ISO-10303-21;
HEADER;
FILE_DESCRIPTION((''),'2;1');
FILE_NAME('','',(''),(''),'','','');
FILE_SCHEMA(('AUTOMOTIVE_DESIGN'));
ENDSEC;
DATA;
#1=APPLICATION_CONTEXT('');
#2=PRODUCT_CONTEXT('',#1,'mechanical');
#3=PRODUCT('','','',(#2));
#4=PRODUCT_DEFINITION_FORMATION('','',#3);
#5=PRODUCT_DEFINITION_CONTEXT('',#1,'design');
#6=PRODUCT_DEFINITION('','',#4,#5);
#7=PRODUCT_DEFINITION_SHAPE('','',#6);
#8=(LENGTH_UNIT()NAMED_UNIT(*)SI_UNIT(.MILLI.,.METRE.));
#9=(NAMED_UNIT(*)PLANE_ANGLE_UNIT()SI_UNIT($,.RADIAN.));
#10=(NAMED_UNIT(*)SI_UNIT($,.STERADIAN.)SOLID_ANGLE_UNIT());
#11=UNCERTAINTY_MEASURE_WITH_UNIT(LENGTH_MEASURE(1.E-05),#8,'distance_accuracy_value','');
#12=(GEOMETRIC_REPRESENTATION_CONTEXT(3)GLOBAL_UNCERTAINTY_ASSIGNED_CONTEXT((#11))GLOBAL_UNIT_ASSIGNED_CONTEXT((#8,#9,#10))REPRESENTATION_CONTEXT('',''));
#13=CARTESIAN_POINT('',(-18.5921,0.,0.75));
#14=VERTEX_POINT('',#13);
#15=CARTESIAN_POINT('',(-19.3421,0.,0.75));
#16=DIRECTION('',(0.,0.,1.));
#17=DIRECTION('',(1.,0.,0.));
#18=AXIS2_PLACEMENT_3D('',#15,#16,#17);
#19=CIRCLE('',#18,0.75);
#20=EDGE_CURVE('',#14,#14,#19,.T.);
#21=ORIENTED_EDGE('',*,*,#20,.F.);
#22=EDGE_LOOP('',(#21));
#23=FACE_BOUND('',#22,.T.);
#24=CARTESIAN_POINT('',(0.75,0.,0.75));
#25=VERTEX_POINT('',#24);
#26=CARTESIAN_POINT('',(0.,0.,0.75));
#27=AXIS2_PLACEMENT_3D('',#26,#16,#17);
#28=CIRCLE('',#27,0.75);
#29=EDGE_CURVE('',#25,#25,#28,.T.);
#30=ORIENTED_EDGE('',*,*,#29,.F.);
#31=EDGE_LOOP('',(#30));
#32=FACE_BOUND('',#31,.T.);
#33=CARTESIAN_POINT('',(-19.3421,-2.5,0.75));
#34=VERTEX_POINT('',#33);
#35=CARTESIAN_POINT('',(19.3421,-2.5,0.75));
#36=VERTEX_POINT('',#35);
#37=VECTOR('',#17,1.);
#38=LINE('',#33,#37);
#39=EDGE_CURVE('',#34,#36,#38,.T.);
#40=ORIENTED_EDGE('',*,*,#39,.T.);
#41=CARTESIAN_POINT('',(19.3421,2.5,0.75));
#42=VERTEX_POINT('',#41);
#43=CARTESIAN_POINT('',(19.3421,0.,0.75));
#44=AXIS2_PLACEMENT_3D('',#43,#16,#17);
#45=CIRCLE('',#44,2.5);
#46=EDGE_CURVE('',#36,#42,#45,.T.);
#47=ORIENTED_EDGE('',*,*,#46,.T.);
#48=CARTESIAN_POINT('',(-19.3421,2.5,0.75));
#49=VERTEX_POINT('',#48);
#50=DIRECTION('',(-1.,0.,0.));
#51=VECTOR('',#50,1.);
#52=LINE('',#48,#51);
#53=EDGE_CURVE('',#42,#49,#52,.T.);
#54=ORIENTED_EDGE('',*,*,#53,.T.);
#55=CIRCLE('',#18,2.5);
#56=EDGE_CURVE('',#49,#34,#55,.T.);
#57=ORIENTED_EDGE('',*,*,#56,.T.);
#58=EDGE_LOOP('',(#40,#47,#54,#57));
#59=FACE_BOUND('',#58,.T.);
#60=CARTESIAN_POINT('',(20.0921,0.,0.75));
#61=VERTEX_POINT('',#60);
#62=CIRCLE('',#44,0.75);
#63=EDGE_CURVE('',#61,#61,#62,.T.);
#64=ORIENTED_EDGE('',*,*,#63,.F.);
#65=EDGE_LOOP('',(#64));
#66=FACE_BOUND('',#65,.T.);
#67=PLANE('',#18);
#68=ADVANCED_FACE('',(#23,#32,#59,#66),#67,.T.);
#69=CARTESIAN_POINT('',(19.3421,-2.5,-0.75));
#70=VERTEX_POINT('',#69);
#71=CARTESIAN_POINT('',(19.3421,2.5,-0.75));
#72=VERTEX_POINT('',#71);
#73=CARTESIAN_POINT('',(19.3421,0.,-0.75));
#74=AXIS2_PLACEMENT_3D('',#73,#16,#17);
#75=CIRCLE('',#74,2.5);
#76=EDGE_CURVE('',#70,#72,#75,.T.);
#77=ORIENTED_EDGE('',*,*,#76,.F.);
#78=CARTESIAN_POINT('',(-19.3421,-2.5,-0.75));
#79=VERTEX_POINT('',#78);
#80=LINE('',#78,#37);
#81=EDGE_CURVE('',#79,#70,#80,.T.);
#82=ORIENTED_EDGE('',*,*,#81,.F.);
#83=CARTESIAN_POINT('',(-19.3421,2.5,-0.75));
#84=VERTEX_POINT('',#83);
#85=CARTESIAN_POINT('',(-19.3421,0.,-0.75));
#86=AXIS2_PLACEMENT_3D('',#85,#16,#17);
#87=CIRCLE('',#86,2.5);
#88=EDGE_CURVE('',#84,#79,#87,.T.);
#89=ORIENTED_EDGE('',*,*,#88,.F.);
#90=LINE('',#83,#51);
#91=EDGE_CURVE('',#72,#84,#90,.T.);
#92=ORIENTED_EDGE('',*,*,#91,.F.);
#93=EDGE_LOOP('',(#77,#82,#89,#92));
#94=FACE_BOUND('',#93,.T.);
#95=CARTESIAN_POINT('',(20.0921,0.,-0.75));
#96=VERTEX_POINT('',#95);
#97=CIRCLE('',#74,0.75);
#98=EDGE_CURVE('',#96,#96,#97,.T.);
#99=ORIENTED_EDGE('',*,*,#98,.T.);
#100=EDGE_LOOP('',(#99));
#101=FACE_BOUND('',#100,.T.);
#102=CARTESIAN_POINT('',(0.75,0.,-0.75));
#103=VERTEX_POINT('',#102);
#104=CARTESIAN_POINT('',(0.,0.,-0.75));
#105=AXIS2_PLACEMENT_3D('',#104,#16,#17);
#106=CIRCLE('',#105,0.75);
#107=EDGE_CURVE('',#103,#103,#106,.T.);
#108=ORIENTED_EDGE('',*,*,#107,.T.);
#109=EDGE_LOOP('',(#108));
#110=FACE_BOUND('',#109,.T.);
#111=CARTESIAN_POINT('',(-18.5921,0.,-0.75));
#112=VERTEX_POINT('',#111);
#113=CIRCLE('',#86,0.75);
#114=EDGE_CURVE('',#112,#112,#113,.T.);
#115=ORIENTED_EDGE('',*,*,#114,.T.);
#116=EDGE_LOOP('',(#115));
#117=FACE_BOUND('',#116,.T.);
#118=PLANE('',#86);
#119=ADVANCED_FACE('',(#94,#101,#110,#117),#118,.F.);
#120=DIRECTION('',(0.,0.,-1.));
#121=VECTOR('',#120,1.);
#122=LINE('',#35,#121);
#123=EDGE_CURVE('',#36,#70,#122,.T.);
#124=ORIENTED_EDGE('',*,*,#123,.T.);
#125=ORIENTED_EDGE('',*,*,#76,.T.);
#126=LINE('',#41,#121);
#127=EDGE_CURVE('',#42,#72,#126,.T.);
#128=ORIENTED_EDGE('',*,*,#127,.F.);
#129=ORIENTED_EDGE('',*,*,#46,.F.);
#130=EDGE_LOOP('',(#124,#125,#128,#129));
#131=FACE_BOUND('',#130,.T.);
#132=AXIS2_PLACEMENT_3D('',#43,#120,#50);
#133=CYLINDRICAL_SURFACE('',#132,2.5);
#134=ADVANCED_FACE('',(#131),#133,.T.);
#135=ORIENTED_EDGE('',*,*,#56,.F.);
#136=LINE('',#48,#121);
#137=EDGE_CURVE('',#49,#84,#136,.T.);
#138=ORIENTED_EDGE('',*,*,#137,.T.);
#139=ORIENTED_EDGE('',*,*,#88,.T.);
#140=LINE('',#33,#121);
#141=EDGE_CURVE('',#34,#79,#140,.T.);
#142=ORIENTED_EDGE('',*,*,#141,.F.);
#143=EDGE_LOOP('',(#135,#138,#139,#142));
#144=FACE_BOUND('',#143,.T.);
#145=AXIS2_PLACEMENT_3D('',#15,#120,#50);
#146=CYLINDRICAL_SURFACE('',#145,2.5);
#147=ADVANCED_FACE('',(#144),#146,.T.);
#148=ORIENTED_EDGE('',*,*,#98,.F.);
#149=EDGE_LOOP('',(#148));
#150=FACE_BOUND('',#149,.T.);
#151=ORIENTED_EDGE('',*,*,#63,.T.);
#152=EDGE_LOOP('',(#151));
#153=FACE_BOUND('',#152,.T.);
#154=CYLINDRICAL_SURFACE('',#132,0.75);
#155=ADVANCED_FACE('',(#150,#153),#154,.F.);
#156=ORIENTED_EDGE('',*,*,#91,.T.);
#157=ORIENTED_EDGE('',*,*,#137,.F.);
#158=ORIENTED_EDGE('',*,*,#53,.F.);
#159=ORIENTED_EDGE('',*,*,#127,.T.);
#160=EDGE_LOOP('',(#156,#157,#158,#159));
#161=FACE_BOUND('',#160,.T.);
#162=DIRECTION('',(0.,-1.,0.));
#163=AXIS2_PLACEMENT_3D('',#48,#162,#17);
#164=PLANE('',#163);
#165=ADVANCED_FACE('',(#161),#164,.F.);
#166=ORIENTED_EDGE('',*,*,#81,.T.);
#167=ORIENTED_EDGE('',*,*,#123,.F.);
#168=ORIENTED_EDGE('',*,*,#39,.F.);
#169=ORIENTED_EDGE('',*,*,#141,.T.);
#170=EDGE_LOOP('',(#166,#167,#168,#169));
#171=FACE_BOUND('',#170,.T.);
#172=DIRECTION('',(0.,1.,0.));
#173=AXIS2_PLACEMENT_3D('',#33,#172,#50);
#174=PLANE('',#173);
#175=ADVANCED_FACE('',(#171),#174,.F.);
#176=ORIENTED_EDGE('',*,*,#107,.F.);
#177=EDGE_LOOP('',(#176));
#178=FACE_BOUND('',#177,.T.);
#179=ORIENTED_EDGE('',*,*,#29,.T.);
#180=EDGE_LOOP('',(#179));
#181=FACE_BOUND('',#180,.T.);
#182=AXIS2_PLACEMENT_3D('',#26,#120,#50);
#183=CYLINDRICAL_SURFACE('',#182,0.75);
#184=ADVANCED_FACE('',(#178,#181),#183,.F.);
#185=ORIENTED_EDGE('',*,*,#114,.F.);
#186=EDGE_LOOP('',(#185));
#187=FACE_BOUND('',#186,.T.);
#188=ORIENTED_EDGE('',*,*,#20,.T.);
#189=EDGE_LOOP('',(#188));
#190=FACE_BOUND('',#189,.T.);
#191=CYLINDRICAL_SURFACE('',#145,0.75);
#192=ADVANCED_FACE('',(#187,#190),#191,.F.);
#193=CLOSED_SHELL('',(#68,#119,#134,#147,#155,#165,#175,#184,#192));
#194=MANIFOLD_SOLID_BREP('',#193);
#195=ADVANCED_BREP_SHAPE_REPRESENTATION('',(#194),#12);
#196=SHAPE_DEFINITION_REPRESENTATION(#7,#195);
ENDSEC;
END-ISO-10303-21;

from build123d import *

# Parameters (mm, degrees)
SKETCH_1_R      = 0.75
EXTRUDE_1_DEPTH = 0.75


with BuildPart() as part:
    # 草圖1 → 填料-伸長1 (new body, symmetric)
    with BuildSketch(Plane.XY):
        with BuildLine():
            Line((-19.3421, 2.5), (19.3421, 2.5))
            ThreePointArc((19.3421, 2.5), (21.8421, 0), (19.3421, -2.5))
            Line((19.3421, -2.5), (-19.3421, -2.5))
            ThreePointArc((-19.3421, -2.5), (-21.8421, 0), (-19.3421, 2.5))
        make_face()
        with Locations((-19.3421, 0)):
            Circle(SKETCH_1_R, mode=Mode.SUBTRACT)
        with Locations((19.3421, 0)):
            Circle(SKETCH_1_R, mode=Mode.SUBTRACT)
        Circle(SKETCH_1_R, mode=Mode.SUBTRACT)
    extrude(amount=EXTRUDE_1_DEPTH, both=True)


solid = part.part
